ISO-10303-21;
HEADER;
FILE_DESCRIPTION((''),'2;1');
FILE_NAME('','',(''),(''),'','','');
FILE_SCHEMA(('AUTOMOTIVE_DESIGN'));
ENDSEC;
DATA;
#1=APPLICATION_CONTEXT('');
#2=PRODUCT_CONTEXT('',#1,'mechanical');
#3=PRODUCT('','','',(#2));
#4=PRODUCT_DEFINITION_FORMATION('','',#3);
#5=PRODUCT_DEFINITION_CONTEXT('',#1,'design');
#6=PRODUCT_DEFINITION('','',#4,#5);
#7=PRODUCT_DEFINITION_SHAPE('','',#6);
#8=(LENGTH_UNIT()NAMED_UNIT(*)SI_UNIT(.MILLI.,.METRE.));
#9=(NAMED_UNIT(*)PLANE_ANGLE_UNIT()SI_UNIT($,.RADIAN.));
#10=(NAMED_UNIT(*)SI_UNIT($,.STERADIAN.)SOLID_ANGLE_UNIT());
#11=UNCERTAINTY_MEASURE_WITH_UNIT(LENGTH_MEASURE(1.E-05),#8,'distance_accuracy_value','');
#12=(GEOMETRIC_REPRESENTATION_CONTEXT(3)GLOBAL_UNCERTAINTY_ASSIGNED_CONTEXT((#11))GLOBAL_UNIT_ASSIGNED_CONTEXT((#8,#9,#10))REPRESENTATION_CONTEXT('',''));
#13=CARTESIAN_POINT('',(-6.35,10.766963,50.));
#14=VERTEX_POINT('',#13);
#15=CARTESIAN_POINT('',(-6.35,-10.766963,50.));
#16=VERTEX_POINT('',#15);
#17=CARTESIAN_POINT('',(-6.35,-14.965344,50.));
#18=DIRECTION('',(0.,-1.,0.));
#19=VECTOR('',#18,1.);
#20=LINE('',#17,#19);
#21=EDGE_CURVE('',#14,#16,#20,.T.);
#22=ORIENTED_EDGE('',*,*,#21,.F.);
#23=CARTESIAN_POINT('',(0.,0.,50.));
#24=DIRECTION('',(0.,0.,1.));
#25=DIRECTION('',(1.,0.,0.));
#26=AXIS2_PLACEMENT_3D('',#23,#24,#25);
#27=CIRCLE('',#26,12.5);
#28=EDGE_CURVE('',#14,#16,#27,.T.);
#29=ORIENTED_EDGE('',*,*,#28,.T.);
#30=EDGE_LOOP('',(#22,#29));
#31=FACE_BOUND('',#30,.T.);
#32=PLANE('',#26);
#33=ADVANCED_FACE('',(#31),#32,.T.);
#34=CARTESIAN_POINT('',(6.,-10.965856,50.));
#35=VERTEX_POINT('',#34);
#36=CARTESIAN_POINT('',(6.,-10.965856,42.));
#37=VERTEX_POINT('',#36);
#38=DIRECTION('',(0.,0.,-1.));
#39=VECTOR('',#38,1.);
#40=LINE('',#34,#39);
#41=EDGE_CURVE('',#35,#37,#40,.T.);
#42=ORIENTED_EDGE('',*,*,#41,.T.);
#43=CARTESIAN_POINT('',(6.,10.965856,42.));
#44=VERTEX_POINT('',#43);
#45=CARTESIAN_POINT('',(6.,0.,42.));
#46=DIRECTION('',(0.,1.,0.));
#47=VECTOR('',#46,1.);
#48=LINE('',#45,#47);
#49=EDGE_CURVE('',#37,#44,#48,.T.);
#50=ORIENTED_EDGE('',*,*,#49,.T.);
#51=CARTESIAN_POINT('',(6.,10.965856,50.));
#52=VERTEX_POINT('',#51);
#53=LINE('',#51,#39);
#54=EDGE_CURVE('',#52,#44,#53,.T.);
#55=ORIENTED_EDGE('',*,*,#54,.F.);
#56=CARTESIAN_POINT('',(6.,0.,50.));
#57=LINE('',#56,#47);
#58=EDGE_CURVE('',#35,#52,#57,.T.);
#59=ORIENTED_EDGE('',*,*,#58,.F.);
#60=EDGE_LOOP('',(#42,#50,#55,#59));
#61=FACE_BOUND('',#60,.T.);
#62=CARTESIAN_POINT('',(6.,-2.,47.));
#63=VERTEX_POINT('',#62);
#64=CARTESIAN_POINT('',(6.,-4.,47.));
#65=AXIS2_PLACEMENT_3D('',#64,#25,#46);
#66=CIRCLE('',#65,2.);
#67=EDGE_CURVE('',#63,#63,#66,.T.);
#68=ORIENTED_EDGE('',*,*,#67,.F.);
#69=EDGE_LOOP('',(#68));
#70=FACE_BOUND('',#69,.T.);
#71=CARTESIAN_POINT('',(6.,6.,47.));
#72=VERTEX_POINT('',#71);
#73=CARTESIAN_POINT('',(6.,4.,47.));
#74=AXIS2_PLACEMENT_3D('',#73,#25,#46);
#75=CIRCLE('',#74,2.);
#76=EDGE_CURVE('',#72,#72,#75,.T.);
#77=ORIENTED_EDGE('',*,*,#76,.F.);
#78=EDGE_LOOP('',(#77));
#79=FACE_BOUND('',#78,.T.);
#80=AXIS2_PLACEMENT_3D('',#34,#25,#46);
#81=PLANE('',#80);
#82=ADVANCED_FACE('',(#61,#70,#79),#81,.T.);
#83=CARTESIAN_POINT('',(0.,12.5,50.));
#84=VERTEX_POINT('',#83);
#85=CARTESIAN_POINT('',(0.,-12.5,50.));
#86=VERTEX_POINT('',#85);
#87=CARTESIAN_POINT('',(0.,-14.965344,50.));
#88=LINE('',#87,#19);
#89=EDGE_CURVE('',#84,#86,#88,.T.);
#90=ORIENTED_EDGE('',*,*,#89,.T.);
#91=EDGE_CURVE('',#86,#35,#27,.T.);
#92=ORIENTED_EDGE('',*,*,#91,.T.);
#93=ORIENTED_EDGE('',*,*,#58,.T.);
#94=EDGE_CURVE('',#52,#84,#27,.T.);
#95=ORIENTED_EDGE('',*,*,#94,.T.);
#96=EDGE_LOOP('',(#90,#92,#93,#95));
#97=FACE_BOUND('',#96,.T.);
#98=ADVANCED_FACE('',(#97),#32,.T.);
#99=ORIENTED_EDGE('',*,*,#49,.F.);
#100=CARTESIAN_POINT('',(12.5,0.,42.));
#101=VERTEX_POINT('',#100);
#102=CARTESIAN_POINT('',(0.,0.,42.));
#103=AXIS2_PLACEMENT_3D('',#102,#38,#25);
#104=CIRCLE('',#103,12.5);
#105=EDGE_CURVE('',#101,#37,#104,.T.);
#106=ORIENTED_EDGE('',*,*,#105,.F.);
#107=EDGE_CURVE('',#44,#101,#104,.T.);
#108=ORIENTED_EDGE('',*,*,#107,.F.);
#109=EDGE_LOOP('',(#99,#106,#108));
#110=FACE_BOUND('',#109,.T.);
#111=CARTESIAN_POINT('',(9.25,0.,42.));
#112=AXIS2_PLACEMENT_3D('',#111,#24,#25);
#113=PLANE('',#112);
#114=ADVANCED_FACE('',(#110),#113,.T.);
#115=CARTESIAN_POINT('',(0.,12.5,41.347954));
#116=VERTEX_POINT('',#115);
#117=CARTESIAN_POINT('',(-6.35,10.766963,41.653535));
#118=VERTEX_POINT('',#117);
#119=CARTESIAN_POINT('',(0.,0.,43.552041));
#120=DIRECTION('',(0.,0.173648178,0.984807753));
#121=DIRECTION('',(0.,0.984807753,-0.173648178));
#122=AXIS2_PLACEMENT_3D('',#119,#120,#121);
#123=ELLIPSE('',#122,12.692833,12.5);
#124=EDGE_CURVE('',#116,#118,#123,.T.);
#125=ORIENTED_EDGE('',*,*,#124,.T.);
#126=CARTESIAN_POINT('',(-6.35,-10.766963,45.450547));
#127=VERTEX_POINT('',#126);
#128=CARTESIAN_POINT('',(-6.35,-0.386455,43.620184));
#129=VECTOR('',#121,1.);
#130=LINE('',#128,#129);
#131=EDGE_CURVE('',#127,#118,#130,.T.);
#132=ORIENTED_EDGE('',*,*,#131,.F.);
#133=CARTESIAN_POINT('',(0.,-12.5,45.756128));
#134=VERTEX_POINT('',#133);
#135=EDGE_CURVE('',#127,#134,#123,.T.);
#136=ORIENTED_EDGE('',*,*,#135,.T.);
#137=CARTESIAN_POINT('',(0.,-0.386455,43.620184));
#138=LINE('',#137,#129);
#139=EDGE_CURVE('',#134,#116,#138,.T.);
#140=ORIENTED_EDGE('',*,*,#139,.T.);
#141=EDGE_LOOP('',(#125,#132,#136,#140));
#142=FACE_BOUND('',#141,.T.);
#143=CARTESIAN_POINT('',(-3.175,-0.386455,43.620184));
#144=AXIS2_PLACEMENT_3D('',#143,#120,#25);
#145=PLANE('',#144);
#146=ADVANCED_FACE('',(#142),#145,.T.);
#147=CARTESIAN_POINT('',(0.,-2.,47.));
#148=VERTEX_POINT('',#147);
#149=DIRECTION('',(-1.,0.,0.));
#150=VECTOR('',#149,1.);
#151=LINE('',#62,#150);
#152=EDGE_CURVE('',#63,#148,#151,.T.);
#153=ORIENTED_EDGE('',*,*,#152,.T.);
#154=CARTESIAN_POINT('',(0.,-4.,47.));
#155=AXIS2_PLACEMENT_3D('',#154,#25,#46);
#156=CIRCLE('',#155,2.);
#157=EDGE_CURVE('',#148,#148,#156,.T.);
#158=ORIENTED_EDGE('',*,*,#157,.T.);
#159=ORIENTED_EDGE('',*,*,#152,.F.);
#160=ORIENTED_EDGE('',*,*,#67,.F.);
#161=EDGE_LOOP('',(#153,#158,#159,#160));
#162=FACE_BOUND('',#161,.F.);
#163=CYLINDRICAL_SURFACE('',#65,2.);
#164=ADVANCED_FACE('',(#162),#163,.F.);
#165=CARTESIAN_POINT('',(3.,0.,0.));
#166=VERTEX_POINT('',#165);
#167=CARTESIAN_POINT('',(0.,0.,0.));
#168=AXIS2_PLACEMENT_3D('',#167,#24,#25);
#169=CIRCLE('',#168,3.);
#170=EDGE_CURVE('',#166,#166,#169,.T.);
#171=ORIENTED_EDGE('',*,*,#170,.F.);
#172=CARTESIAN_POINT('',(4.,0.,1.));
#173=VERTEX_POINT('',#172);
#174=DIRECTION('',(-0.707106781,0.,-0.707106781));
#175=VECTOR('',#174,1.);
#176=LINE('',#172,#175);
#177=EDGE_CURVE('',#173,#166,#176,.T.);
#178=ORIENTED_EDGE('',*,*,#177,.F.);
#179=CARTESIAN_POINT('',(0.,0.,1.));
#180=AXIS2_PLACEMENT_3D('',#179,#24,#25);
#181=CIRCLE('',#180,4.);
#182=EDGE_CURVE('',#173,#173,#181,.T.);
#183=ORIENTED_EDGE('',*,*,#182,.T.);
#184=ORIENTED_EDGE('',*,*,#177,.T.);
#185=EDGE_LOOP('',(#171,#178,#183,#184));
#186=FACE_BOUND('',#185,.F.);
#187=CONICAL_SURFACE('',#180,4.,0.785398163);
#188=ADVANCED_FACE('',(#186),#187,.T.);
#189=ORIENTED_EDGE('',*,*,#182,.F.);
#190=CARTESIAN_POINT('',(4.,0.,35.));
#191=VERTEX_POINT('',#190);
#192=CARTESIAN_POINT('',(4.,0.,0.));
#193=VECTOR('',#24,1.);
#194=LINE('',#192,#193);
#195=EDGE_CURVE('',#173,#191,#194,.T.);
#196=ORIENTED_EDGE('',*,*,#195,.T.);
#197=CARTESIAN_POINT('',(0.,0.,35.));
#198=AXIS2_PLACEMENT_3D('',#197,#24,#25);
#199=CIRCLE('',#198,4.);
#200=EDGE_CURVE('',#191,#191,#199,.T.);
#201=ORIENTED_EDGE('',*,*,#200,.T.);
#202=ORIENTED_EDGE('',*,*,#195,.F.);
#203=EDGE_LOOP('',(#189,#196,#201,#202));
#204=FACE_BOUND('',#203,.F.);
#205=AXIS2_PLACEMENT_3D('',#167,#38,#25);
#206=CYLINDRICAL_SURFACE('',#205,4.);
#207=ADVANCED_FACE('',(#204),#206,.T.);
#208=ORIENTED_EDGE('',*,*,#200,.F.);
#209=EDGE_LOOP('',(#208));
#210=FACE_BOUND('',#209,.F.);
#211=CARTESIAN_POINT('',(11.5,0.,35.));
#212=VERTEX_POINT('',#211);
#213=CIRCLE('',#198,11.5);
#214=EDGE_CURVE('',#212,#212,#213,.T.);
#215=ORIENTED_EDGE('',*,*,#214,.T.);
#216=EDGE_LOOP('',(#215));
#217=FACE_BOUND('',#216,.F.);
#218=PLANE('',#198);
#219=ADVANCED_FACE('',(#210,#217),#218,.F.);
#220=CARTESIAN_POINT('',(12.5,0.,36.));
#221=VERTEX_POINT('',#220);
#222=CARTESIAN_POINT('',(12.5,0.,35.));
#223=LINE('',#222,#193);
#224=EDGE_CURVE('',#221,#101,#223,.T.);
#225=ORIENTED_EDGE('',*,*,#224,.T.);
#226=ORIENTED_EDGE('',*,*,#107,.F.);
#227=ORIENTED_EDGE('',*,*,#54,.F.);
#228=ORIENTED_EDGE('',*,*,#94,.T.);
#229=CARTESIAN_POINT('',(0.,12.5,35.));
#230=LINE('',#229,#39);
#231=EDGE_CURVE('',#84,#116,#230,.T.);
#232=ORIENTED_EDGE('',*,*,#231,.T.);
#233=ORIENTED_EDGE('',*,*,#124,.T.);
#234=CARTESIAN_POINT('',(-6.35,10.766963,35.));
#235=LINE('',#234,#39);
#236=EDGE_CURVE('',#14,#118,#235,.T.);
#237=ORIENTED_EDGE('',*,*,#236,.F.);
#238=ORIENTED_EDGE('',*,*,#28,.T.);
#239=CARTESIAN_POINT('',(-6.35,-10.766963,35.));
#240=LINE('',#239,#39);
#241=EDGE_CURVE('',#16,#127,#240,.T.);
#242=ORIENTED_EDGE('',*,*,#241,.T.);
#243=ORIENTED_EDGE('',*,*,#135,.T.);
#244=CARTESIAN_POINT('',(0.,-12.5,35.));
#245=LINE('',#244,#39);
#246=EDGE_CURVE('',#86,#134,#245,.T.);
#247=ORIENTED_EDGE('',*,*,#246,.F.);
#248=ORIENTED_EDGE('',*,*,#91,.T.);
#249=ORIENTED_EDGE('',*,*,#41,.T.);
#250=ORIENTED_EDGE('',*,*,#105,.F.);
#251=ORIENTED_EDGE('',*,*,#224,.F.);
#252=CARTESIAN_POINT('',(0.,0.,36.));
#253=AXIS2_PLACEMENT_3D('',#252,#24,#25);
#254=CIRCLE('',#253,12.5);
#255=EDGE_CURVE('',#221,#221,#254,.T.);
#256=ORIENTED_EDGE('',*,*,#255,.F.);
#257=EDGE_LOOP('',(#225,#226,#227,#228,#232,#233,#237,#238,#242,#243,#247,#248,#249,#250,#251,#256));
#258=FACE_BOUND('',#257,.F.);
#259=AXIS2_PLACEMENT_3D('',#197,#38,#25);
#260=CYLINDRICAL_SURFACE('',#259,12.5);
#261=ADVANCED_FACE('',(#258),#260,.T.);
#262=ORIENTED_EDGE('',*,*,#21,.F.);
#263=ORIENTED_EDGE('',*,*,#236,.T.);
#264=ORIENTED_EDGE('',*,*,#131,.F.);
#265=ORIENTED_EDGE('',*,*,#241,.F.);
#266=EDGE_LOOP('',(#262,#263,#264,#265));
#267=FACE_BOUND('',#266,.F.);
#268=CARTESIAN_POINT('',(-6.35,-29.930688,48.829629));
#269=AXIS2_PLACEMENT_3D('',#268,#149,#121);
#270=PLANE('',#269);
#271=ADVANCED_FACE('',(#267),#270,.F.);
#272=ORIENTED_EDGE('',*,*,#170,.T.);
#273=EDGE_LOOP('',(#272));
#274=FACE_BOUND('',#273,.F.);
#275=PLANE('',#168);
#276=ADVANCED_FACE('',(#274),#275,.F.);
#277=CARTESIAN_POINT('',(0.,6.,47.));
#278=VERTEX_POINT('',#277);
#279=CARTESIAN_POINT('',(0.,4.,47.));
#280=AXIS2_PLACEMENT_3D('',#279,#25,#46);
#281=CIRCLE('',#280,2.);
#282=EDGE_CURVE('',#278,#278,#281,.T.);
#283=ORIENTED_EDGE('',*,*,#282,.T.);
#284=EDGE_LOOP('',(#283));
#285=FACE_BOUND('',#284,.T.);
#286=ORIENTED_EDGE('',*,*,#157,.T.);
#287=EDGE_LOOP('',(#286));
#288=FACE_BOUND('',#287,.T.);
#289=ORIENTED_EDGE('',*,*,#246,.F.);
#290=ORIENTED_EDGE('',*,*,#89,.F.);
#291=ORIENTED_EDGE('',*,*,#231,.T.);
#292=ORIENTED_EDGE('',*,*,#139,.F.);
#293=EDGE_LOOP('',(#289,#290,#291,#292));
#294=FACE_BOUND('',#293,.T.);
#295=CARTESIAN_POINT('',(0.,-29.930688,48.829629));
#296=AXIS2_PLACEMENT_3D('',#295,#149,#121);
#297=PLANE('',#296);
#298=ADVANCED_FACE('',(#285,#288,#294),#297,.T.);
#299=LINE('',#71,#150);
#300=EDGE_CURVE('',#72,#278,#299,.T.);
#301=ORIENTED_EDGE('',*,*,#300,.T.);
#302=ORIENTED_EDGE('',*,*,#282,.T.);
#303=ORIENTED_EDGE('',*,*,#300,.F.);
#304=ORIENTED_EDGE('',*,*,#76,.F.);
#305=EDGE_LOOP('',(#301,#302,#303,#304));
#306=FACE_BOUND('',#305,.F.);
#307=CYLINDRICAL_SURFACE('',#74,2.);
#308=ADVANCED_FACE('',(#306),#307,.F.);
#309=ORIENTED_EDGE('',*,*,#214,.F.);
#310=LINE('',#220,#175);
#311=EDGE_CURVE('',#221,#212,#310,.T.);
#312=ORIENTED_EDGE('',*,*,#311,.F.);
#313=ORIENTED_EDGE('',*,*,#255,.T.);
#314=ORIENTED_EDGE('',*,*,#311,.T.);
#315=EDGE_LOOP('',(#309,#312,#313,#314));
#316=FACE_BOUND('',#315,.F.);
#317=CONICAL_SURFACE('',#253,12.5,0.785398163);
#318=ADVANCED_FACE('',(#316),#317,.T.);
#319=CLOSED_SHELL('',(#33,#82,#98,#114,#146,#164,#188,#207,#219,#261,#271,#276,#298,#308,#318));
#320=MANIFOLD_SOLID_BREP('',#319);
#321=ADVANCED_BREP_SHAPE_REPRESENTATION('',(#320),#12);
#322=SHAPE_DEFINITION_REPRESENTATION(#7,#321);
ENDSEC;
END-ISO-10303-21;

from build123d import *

# Parameters (mm, degrees)
F0_R      = 4
F1_DEPTH  = 35
F2_R      = 12.5
F2_R_2    = 4
F3_DEPTH  = 15
F4_W      = 6.5
F4_H      = 21.9317121995
F5_DEPTH  = 8
F9_W      = 6.35
F9_H      = 60
F10_DEPTH = 25
F11_R     = 2
F12_DEPTH = 8
F13_SIZE  = 1


with BuildPart() as f1:
    # F0 (on Top) → F1 (new body)
    with BuildSketch(Plane.XY):
        Circle(F0_R)
    extrude(amount=F1_DEPTH)

    # F2 (on face) → F3 (join)
    with BuildSketch(Plane.XY.offset(35)):
        Circle(F2_R)
        Circle(F2_R_2, mode=Mode.SUBTRACT)
        Circle(F2_R)
    extrude(amount=F3_DEPTH)

    # F4 (on face) → F5 (cut)
    with BuildSketch(Plane.XY.offset(50)):
        with Locations((9.25, 0)):
            Rectangle(F4_W, F4_H)
    extrude(amount=-F5_DEPTH, mode=Mode.SUBTRACT)

    # F9 (on offset) → F10 (cut)
    with BuildSketch(Plane(origin=(0, 7.447837655, 42.238786288), x_dir=(1, 0, 0), z_dir=(0, 0.1736481777, 0.984807753))):
        with Locations((-3.175, -7.9551495101)):
            Rectangle(F9_W, F9_H)
    extrude(amount=F10_DEPTH, mode=Mode.SUBTRACT)

    # F11 (on face) → F12 (cut)
    with BuildSketch(Plane.YZ.offset(6)):
        with Locations((4, 47)):
            Circle(F11_R)
        with Locations((-4, 47)):
            Circle(F11_R)
    extrude(amount=-F12_DEPTH, mode=Mode.SUBTRACT)

    # F13
    f13_edges = [f1.edges().sort_by_distance(p)[0] for p in [
        (-12.5, 0, 35),
        (-4, 0, 0),
    ]]
    chamfer(f13_edges, length=F13_SIZE)


solid = f1.part
